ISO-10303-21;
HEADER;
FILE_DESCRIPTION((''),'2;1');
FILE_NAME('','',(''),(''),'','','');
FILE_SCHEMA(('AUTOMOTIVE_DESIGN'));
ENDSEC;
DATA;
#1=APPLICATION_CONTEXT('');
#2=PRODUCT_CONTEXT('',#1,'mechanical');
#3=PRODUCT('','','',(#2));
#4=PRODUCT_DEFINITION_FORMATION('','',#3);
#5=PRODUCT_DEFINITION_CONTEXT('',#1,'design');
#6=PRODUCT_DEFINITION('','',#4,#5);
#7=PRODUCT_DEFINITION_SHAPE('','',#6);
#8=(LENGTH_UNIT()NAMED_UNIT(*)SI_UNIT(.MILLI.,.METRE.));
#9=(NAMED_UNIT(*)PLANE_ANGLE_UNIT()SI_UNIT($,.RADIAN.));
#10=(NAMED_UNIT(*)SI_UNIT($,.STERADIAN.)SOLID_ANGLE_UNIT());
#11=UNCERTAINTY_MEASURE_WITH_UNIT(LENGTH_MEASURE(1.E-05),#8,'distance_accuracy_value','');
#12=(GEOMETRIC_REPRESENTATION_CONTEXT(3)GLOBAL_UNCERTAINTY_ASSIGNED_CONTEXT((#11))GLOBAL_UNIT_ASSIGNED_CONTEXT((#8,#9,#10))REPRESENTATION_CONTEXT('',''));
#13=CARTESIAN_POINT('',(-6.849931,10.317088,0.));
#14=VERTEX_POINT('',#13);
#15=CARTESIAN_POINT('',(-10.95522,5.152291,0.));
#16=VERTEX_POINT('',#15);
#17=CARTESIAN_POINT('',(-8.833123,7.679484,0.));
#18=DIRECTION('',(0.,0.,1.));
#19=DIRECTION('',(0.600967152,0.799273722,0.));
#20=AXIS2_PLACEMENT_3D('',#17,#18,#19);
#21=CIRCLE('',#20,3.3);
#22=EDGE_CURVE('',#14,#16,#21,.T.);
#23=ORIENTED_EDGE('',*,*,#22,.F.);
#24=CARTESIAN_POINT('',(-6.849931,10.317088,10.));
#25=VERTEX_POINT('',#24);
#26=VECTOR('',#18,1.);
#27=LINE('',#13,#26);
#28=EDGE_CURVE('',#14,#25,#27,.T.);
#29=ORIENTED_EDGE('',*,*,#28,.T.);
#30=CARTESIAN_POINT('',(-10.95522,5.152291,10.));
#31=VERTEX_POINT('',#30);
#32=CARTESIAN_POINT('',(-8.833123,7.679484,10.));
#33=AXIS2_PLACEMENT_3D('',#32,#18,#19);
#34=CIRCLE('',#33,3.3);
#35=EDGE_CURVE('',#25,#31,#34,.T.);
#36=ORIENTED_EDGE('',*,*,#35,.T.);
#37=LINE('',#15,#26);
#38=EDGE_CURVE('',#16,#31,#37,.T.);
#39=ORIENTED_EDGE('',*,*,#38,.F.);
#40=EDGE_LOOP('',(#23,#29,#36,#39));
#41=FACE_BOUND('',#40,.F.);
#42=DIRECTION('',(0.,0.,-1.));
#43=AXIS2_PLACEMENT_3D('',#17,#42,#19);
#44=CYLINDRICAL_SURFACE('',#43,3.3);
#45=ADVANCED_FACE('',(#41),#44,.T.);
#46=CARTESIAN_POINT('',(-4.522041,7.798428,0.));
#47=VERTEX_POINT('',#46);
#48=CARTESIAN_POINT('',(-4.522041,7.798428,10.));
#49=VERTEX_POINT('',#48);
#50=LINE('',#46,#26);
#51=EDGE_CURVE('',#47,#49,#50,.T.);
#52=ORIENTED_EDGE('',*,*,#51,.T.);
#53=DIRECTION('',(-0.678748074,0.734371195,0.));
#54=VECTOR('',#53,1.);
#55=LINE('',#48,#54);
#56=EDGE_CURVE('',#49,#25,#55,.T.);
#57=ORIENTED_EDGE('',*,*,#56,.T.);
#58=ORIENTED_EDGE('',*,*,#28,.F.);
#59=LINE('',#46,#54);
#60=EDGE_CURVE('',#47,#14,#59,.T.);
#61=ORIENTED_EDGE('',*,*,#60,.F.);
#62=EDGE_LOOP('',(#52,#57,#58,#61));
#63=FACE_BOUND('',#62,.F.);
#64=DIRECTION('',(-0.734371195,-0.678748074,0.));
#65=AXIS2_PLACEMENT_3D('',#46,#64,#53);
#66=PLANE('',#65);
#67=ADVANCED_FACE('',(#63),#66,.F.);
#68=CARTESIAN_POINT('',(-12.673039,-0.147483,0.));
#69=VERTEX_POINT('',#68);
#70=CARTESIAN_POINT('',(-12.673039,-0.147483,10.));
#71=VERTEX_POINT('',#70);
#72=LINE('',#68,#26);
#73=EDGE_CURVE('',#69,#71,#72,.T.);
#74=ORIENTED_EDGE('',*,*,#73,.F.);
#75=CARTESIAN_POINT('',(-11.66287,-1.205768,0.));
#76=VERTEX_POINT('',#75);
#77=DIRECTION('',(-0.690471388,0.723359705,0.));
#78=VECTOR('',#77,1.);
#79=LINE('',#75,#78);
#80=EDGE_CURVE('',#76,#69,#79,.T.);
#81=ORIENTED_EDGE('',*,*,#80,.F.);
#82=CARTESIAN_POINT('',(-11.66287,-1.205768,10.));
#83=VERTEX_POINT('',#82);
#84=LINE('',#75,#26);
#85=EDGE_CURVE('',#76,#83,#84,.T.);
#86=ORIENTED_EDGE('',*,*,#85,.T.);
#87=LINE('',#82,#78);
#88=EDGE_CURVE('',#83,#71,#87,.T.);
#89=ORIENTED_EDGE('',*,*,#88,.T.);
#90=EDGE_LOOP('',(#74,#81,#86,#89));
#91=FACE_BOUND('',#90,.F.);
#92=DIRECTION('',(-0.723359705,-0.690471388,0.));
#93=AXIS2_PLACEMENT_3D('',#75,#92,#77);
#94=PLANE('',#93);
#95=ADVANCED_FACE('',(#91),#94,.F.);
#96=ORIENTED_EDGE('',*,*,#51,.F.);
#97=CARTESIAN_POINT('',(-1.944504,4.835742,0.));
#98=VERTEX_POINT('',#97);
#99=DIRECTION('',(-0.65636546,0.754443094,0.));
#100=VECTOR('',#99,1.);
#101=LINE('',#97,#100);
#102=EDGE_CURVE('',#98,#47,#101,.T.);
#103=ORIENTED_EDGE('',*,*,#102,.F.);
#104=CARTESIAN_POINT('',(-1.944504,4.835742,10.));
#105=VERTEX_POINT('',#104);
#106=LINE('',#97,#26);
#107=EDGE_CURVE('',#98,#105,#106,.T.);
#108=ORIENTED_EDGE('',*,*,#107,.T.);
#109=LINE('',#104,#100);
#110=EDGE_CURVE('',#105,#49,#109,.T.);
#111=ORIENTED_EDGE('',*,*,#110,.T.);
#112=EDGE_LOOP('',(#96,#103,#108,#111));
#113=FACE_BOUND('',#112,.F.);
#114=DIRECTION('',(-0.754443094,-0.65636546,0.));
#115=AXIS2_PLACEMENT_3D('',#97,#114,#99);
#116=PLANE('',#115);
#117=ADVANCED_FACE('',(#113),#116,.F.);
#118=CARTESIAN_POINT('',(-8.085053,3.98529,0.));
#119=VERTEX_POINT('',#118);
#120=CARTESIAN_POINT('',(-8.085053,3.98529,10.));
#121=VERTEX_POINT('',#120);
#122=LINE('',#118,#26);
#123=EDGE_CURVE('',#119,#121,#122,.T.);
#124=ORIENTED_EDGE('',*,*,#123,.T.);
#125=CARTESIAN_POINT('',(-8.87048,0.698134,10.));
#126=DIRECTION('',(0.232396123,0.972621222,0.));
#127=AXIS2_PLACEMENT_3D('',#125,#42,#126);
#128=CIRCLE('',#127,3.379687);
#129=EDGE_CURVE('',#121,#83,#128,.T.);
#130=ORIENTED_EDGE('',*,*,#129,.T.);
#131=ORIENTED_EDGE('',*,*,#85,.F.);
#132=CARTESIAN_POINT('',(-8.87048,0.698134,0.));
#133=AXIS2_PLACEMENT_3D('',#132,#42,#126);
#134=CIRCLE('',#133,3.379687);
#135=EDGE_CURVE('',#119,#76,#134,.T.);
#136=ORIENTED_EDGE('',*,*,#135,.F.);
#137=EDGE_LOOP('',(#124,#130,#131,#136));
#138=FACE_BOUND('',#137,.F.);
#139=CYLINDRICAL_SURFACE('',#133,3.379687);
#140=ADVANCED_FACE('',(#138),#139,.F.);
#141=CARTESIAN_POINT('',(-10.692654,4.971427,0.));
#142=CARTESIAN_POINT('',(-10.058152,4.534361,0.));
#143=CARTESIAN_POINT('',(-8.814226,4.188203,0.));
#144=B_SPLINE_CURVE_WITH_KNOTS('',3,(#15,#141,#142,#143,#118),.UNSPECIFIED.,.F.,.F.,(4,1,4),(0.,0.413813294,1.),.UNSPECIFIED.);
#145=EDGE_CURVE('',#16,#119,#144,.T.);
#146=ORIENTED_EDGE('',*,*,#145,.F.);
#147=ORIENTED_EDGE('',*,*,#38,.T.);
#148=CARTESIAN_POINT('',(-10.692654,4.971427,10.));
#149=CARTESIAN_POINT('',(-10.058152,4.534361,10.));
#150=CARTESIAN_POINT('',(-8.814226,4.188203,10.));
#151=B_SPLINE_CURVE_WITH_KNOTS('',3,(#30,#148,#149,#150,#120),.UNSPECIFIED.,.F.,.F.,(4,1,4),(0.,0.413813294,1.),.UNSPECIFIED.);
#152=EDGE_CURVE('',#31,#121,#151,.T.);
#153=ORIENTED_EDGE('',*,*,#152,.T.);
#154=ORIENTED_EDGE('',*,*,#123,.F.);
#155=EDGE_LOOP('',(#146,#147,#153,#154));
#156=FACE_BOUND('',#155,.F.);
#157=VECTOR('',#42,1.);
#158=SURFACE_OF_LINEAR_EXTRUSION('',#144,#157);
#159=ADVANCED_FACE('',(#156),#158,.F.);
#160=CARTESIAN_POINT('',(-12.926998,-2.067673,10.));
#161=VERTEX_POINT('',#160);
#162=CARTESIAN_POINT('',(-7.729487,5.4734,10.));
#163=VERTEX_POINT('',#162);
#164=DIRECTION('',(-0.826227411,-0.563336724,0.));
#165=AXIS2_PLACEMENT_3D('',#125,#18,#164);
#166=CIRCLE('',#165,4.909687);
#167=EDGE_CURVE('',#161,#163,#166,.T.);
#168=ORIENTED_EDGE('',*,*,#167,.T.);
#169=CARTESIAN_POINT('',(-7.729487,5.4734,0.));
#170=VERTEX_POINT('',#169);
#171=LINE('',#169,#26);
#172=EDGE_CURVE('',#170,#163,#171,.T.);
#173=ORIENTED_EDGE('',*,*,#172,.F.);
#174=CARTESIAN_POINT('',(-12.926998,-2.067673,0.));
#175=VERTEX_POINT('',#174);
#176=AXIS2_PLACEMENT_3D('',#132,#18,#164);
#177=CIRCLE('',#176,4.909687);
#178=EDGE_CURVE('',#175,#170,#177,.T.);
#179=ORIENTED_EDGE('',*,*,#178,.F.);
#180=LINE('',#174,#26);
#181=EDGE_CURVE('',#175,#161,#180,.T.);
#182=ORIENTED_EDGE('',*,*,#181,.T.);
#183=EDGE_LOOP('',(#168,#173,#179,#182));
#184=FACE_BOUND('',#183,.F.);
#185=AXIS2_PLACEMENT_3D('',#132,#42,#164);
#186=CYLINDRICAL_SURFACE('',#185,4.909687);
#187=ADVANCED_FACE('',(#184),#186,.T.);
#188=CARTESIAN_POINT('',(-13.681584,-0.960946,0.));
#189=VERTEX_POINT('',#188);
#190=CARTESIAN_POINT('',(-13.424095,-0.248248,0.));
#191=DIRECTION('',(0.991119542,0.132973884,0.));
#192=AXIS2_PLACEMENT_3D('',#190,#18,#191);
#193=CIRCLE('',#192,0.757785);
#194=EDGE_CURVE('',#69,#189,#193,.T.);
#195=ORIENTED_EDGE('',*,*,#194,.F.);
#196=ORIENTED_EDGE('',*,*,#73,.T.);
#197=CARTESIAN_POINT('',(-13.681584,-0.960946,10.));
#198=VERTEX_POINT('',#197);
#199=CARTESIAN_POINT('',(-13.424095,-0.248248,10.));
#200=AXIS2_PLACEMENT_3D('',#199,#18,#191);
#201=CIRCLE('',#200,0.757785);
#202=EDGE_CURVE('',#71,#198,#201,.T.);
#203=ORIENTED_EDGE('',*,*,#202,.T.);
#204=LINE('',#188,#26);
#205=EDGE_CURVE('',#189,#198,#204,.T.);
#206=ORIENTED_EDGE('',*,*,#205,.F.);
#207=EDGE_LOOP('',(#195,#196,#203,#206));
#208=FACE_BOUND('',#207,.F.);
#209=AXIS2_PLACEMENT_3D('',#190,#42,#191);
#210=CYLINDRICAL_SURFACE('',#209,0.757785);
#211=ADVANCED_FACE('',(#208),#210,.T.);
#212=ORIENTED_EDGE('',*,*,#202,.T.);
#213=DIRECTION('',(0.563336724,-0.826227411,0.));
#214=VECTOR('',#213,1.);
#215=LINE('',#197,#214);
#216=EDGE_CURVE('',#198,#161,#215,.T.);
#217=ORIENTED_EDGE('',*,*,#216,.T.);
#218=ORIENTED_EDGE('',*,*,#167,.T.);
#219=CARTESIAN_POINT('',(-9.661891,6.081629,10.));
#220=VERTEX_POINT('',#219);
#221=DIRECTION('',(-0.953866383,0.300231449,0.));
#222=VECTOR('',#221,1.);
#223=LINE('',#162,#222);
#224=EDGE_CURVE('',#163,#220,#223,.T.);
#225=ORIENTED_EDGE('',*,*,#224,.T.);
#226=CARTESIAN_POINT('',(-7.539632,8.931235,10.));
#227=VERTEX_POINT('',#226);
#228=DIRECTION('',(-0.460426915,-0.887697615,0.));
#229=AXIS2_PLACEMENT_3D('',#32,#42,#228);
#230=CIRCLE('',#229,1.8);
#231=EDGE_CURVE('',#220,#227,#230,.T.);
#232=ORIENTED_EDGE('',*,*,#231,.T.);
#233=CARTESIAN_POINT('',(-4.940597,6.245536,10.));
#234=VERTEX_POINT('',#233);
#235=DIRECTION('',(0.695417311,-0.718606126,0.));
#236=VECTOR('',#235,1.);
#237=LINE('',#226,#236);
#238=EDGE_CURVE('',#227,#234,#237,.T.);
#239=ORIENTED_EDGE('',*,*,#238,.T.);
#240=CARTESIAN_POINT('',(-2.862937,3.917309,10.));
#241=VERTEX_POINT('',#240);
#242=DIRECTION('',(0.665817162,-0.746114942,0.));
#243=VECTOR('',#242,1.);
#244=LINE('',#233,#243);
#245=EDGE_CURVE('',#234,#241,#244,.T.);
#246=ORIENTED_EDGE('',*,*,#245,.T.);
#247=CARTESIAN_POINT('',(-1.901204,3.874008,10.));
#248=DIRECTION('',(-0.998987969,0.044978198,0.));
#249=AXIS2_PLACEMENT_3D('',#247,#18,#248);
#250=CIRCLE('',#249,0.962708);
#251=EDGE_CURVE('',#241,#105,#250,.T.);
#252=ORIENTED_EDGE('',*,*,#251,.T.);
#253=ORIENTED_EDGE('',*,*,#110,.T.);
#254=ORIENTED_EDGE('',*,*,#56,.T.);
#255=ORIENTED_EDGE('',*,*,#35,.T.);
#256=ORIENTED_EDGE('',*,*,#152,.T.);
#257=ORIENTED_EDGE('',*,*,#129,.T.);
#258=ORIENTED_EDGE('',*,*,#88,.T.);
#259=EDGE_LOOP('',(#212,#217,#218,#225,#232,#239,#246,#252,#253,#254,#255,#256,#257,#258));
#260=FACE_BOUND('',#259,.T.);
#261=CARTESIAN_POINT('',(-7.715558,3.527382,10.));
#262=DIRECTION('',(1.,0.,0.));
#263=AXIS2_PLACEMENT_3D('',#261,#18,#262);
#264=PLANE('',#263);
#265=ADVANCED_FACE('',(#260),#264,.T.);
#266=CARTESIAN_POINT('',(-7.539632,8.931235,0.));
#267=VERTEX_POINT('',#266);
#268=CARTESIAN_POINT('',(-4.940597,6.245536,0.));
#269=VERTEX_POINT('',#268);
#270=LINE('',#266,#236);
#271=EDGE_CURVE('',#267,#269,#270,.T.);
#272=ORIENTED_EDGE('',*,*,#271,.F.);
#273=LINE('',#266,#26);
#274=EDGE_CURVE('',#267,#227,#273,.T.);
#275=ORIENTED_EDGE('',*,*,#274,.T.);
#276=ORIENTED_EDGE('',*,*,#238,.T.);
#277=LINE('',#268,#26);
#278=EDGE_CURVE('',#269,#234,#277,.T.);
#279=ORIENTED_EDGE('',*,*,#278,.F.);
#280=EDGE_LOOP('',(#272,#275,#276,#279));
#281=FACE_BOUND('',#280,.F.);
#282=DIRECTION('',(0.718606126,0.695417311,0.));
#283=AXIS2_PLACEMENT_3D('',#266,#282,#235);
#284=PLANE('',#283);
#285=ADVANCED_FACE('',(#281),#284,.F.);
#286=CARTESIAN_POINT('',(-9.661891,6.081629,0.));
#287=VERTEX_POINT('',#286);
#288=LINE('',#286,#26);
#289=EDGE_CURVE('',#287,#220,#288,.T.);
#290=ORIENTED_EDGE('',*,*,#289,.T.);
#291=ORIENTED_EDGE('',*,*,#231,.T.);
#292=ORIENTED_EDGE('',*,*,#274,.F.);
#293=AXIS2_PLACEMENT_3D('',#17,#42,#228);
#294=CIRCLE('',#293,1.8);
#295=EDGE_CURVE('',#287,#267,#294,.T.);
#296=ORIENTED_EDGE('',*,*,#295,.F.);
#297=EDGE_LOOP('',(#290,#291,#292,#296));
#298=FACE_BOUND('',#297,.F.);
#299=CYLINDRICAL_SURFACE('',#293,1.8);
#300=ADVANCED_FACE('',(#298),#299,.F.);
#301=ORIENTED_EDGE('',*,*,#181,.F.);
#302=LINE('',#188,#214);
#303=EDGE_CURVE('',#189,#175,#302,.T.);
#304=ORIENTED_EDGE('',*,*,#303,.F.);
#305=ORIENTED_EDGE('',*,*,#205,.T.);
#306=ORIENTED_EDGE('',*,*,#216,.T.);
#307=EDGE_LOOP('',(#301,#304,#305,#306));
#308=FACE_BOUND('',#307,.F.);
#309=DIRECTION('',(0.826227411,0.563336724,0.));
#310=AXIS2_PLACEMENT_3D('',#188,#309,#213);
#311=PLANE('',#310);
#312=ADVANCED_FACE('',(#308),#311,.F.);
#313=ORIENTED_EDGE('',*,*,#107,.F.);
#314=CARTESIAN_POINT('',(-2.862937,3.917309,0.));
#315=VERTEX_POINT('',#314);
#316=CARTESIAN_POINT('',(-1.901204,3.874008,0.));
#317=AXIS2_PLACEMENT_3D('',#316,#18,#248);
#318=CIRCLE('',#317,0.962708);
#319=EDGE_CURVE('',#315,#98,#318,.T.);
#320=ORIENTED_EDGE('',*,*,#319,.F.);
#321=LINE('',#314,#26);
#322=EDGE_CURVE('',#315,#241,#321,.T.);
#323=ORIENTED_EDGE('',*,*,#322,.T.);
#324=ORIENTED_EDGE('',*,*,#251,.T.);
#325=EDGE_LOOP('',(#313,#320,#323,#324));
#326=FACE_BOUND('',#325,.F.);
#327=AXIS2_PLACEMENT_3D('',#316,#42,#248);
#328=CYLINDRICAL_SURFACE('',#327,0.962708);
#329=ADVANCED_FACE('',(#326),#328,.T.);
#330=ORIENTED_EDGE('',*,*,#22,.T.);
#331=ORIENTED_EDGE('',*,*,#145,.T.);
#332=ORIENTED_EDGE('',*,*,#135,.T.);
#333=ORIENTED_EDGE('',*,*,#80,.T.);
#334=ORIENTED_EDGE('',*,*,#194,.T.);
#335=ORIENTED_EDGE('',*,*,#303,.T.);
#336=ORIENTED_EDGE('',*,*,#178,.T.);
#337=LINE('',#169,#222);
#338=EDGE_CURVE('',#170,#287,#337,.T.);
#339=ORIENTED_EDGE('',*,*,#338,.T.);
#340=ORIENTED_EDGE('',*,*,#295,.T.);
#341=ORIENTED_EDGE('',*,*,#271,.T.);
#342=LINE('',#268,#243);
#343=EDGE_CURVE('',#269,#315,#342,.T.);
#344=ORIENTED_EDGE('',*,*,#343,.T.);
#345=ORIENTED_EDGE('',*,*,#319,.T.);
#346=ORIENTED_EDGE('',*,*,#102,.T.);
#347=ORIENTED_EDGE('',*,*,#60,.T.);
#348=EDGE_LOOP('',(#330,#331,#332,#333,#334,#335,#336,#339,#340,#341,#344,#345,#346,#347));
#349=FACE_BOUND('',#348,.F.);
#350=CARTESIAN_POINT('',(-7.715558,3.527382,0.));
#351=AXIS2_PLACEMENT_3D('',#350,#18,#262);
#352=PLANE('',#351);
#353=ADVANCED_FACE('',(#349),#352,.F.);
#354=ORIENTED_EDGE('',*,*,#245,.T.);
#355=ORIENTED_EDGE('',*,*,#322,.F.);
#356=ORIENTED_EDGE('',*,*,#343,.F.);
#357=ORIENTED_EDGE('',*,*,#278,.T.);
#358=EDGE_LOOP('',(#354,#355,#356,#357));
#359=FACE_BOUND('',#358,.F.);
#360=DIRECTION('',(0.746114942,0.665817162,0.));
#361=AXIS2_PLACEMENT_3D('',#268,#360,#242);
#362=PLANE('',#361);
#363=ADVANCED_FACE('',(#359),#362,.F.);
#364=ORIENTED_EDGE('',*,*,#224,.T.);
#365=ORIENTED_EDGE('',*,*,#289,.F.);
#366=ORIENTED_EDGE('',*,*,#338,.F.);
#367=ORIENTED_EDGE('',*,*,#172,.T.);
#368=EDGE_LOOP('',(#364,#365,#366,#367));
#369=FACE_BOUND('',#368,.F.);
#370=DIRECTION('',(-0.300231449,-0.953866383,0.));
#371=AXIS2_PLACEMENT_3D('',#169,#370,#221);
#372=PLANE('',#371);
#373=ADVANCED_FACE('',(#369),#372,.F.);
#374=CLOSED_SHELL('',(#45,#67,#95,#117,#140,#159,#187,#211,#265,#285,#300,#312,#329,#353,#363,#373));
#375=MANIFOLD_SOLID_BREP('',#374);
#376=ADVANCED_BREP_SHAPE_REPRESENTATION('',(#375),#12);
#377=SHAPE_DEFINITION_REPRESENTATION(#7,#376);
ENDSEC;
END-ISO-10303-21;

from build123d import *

# Parameters (mm, degrees)
F1_DEPTH = 10


with BuildPart() as f1:
    # F0 (on Top) → F1 (new body)
    with BuildSketch(Plane.XY):
        with BuildLine():
            ThreePointArc((-9.6618913839, 6.0816285435), (-10.2767491333, 8.754632337), (-7.5396319115, 8.9312354108))
            Line((-7.5396319115, 8.9312354108), (-4.9405973193, 6.2455355452))
            Line((-4.9405973193, 6.2455355452), (-2.8629372828, 3.9173089899))
            ThreePointArc((-2.8629372828, 3.9173089899), (-1.2204668488, 3.1932707933), (-1.9445042126, 4.8357415944))
            Line((-1.9445042126, 4.8357415944), (-4.5220414177, 7.7984281816))
            Line((-4.5220414177, 7.7984281816), (-6.8499312622, 10.3170876293))
            ThreePointArc((-6.8499312622, 10.3170876293), (-11.4164551285, 9.7328706229), (-10.9552195609, 5.1522908034))
            add(Edge.make_bspline(
                [(-10.9552195609, 5.1522908034), (-10.6926542112, 4.9714270901), (-10.058152243, 4.5343611094), (-8.8142262778, 4.1882031461), (-8.0850534141, 3.9852899499)],
                knots=[0, 0, 0, 0, 0.4138132943, 1, 1, 1, 1], degree=3))
            ThreePointArc((-8.0850534141, 3.9852899499), (-6.0877209286, -1.2198178636), (-11.662869985, -1.2057677011))
            Line((-11.662869985, -1.2057677011), (-12.6730389893, -0.1474826422))
            ThreePointArc((-12.6730389893, -0.1474826422), (-13.8998387132, 0.3415873294), (-13.6815843859, -0.9609456062))
            Line((-13.6815843859, -0.9609456062), (-12.9269978385, -2.067672831))
            ThreePointArc((-12.9269978385, -2.067672831), (-4.8279533498, -2.0880835662), (-7.7294873707, 5.4734003194))
            Line((-7.7294873707, 5.4734003194), (-9.6618913839, 6.0816285435))
        make_face()
    extrude(amount=F1_DEPTH)


solid = f1.part
